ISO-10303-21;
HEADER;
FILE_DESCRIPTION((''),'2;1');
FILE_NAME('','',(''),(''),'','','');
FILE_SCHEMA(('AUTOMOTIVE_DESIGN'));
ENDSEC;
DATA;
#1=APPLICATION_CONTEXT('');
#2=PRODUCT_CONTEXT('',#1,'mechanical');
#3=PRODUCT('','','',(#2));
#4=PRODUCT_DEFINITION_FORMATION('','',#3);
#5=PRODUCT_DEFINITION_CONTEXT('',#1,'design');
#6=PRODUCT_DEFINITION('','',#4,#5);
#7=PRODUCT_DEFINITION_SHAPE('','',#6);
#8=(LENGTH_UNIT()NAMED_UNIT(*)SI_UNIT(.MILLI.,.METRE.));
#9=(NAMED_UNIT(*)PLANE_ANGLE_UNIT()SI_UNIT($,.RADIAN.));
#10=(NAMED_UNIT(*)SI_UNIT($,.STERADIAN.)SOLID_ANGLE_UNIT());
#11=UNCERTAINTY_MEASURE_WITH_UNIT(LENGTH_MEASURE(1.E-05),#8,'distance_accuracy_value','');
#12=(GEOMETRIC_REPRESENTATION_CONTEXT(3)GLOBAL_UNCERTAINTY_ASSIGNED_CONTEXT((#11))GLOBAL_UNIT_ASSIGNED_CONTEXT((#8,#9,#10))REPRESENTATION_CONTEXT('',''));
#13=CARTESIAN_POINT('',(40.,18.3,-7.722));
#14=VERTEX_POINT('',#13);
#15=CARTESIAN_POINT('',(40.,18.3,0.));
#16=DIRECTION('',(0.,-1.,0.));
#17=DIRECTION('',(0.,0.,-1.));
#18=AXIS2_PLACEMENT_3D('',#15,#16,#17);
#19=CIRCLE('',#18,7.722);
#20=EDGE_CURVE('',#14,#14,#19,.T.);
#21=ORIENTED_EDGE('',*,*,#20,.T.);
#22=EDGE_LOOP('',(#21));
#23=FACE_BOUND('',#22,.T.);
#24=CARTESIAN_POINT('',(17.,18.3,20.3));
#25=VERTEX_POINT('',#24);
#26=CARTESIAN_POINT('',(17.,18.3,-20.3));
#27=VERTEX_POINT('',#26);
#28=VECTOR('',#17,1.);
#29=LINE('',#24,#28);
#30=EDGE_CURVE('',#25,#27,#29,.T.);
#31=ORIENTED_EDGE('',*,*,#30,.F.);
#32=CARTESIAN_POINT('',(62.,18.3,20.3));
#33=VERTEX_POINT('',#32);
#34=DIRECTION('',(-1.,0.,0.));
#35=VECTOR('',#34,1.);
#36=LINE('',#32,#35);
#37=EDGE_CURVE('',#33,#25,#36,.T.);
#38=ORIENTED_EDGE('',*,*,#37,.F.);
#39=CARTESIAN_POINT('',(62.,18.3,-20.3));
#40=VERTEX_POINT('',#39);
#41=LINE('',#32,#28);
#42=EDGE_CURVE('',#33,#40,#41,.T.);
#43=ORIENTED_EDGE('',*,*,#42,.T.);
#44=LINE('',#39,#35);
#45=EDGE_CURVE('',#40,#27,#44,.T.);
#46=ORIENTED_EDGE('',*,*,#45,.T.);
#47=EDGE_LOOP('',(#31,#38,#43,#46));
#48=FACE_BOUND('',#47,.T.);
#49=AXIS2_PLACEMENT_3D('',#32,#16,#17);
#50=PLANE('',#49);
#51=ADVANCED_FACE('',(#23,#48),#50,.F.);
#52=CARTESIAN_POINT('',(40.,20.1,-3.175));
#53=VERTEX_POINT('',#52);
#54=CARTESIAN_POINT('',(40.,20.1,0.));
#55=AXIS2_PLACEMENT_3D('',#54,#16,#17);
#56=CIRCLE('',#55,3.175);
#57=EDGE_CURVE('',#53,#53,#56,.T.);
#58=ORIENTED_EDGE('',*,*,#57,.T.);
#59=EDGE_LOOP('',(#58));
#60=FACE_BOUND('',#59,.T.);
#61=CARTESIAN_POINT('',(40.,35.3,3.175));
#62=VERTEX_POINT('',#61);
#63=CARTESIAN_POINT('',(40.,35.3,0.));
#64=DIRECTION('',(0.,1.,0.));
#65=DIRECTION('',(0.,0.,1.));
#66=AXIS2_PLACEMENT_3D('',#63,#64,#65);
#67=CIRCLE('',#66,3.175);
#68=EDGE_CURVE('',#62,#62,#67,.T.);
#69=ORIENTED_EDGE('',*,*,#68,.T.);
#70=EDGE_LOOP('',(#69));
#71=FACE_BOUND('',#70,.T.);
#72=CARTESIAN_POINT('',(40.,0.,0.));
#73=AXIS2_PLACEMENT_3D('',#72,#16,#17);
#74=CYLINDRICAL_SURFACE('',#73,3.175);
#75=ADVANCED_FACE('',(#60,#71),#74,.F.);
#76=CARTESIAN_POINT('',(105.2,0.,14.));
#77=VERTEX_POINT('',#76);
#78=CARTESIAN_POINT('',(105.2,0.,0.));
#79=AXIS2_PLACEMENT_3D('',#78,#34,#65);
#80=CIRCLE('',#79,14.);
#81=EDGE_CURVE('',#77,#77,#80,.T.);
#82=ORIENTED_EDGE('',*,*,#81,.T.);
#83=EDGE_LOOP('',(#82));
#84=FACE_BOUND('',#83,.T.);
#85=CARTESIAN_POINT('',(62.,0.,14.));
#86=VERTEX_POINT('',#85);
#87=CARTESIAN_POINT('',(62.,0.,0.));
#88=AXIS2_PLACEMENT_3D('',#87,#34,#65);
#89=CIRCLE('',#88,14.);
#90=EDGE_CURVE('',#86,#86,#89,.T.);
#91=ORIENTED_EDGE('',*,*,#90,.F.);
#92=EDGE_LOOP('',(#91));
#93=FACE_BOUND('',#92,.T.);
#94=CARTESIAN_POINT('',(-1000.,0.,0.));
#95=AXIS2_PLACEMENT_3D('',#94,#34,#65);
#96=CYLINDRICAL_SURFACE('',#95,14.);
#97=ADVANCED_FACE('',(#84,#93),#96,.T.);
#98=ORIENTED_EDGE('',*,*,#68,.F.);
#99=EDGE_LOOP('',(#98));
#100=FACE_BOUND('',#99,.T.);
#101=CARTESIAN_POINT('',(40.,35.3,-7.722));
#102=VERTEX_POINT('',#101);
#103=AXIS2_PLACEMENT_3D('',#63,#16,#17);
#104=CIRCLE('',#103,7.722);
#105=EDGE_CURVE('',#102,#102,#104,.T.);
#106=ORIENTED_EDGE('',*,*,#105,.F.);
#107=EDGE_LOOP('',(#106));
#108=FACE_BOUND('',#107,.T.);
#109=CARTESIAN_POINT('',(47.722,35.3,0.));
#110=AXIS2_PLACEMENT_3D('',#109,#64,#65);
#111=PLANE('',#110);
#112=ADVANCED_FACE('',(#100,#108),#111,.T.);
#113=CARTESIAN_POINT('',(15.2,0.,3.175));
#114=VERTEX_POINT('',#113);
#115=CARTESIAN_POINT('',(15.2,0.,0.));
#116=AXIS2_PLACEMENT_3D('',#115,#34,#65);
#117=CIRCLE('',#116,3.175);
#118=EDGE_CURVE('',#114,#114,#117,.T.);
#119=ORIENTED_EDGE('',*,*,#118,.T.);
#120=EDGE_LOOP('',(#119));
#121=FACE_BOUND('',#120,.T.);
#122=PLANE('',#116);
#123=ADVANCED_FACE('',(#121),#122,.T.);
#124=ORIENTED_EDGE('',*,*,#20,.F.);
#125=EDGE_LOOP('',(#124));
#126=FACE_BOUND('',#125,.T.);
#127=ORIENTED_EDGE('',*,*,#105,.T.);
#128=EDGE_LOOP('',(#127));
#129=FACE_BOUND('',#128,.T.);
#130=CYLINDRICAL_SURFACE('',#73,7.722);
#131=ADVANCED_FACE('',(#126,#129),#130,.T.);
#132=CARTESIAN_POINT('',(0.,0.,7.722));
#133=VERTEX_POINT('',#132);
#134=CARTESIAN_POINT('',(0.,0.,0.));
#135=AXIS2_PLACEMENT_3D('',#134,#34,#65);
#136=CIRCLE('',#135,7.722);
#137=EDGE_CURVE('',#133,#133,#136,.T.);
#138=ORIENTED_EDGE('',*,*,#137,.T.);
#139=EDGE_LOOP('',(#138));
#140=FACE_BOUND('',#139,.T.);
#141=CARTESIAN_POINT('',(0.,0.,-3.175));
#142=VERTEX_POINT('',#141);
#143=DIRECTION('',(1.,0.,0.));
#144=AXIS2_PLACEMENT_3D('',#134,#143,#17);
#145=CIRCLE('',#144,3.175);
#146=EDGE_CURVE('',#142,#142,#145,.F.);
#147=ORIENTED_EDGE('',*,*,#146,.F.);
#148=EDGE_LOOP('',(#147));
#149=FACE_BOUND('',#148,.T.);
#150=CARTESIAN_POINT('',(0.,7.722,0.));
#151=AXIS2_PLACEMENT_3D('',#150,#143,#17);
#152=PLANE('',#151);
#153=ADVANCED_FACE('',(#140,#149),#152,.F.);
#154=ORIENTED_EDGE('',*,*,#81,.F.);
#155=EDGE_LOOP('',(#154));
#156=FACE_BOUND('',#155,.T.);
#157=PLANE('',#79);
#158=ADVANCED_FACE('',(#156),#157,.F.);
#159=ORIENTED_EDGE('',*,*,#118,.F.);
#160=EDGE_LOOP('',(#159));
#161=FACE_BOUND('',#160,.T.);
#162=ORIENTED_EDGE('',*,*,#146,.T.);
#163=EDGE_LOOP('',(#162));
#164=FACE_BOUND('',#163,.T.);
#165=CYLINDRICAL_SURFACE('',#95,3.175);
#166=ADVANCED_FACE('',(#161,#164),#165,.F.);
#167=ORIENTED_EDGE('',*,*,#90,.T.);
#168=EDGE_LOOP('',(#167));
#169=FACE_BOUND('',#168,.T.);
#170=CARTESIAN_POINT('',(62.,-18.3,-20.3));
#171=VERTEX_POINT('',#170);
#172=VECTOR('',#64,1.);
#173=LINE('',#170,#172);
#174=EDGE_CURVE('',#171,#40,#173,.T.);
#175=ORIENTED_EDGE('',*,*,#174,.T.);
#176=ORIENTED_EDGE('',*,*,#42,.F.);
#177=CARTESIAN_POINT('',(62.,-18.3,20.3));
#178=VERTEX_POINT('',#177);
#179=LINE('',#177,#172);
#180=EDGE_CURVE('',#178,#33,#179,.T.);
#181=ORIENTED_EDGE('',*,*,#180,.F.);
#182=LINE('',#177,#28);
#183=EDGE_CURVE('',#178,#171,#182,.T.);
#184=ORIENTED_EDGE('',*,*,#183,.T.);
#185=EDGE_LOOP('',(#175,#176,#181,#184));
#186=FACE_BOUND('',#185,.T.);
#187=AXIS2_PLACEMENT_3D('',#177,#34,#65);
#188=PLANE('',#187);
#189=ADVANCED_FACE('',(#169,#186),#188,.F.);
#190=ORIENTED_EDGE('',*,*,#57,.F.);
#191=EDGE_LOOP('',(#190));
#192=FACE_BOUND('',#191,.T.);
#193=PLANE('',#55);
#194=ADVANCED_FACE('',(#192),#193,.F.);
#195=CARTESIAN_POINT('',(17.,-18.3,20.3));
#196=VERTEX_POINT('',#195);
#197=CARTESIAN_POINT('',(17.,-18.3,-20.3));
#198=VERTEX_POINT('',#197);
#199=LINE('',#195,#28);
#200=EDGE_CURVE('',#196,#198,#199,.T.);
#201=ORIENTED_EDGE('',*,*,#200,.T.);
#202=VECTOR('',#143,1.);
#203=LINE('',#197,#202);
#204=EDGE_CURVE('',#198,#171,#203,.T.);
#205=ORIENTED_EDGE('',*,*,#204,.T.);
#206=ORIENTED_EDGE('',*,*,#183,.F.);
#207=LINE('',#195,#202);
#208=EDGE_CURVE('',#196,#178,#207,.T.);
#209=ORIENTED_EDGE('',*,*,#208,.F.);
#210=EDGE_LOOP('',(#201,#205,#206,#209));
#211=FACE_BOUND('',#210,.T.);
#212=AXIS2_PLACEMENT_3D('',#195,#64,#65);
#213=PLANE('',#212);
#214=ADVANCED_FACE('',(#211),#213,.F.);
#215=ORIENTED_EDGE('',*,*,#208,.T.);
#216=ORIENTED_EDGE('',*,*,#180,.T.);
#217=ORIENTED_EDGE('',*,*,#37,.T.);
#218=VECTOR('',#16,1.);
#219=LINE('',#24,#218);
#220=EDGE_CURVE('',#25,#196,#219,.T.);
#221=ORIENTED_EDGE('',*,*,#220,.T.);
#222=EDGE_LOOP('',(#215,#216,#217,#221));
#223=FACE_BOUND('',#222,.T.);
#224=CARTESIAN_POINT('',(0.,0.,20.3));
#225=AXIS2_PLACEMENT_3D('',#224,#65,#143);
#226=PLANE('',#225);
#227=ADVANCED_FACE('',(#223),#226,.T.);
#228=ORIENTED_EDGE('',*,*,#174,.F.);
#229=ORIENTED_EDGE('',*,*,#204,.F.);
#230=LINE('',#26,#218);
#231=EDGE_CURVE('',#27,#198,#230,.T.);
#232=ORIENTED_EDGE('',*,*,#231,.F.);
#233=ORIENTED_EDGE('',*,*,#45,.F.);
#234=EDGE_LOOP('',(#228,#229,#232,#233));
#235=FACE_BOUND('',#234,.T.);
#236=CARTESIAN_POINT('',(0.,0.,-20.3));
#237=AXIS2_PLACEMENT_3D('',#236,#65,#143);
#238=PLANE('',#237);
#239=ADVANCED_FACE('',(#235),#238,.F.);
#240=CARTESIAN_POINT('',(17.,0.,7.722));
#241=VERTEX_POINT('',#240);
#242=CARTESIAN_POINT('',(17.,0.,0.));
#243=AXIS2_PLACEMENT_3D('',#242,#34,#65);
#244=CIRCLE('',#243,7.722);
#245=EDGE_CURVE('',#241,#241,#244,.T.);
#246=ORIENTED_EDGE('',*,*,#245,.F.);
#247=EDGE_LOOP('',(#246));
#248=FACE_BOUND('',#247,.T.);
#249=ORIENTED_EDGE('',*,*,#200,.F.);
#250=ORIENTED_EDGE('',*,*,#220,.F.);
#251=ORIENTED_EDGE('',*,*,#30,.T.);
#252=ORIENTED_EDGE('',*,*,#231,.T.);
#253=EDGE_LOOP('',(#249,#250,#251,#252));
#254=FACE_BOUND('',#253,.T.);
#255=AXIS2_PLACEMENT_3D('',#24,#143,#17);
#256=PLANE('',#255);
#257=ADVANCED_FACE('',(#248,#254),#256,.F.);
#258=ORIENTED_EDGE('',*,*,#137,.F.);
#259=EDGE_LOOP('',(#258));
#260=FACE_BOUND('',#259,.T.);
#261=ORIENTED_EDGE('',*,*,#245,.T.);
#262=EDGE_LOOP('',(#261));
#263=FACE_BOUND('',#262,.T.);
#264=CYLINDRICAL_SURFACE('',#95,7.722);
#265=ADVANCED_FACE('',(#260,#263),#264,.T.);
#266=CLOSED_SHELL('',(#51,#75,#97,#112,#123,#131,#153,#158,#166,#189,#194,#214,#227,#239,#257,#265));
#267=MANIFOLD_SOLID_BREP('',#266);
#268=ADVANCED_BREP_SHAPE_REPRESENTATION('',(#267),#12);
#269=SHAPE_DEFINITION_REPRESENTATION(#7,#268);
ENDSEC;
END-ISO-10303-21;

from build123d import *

# Parameters (mm, degrees)
BODY_SKETCH_W          = 45
BODY_SKETCH_H          = 36.6
BODY_DEPTH             = 20.3
INLET_SKETCH_W         = 17
INLET_SKETCH_H         = 7.722
SPRING_CAP_SKETCH_W    = 43.2
SPRING_CAP_SKETCH_H    = 14
OUTLET_SKETCH_W        = 7.722
OUTLET_SKETCH_H        = 17
INLET_SOCKET_SKETCH_W  = 16.2
INLET_SOCKET_SKETCH_H  = 3.175
OUTLET_SOCKET_SKETCH_W = 3.175
OUTLET_SOCKET_SKETCH_H = 16.2


with BuildPart() as part:
    # Body Sketch → Body (new, symmetric)
    with BuildSketch(Plane.XY):
        with Locations((39.5, 0)):
            Rectangle(BODY_SKETCH_W, BODY_SKETCH_H)
    extrude(amount=BODY_DEPTH, both=True)

    # Inlet Sketch → Inlet (revolve)
    with BuildSketch(Plane.XY):
        with Locations((8.5, 3.861)):
            Rectangle(INLET_SKETCH_W, INLET_SKETCH_H)
    revolve(axis=Axis((-1000, 0, 0), (1, 0, 0)))

    # Spring Cap Sketch → Spring Cap (revolve)
    with BuildSketch(Plane.XY):
        with Locations((83.6, 7)):
            Rectangle(SPRING_CAP_SKETCH_W, SPRING_CAP_SKETCH_H)
    revolve(axis=Axis((-1000, 0, 0), (1, 0, 0)))

    # Outlet Sketch → Outlet (revolve)
    with BuildSketch(Plane.XY):
        with Locations((43.861, 26.8)):
            Rectangle(OUTLET_SKETCH_W, OUTLET_SKETCH_H)
    revolve(axis=Axis((40, 0, 0), (0, 1, 0)))

    # Inlet Socket Sketch → Inlet Socket (revolve, cut)
    with BuildSketch(Plane.XY):
        with Locations((7.1, 1.5875)):
            Rectangle(INLET_SOCKET_SKETCH_W, INLET_SOCKET_SKETCH_H)
    revolve(axis=Axis((-1000, 0, 0), (1, 0, 0)), mode=Mode.SUBTRACT)

    # Outlet Socket Sketch → Outlet Socket (revolve, cut)
    with BuildSketch(Plane.XY):
        with Locations((41.5875, 28.2)):
            Rectangle(OUTLET_SOCKET_SKETCH_W, OUTLET_SOCKET_SKETCH_H)
    revolve(axis=Axis((40, 0, 0), (0, 1, 0)), mode=Mode.SUBTRACT)


solid = part.part
